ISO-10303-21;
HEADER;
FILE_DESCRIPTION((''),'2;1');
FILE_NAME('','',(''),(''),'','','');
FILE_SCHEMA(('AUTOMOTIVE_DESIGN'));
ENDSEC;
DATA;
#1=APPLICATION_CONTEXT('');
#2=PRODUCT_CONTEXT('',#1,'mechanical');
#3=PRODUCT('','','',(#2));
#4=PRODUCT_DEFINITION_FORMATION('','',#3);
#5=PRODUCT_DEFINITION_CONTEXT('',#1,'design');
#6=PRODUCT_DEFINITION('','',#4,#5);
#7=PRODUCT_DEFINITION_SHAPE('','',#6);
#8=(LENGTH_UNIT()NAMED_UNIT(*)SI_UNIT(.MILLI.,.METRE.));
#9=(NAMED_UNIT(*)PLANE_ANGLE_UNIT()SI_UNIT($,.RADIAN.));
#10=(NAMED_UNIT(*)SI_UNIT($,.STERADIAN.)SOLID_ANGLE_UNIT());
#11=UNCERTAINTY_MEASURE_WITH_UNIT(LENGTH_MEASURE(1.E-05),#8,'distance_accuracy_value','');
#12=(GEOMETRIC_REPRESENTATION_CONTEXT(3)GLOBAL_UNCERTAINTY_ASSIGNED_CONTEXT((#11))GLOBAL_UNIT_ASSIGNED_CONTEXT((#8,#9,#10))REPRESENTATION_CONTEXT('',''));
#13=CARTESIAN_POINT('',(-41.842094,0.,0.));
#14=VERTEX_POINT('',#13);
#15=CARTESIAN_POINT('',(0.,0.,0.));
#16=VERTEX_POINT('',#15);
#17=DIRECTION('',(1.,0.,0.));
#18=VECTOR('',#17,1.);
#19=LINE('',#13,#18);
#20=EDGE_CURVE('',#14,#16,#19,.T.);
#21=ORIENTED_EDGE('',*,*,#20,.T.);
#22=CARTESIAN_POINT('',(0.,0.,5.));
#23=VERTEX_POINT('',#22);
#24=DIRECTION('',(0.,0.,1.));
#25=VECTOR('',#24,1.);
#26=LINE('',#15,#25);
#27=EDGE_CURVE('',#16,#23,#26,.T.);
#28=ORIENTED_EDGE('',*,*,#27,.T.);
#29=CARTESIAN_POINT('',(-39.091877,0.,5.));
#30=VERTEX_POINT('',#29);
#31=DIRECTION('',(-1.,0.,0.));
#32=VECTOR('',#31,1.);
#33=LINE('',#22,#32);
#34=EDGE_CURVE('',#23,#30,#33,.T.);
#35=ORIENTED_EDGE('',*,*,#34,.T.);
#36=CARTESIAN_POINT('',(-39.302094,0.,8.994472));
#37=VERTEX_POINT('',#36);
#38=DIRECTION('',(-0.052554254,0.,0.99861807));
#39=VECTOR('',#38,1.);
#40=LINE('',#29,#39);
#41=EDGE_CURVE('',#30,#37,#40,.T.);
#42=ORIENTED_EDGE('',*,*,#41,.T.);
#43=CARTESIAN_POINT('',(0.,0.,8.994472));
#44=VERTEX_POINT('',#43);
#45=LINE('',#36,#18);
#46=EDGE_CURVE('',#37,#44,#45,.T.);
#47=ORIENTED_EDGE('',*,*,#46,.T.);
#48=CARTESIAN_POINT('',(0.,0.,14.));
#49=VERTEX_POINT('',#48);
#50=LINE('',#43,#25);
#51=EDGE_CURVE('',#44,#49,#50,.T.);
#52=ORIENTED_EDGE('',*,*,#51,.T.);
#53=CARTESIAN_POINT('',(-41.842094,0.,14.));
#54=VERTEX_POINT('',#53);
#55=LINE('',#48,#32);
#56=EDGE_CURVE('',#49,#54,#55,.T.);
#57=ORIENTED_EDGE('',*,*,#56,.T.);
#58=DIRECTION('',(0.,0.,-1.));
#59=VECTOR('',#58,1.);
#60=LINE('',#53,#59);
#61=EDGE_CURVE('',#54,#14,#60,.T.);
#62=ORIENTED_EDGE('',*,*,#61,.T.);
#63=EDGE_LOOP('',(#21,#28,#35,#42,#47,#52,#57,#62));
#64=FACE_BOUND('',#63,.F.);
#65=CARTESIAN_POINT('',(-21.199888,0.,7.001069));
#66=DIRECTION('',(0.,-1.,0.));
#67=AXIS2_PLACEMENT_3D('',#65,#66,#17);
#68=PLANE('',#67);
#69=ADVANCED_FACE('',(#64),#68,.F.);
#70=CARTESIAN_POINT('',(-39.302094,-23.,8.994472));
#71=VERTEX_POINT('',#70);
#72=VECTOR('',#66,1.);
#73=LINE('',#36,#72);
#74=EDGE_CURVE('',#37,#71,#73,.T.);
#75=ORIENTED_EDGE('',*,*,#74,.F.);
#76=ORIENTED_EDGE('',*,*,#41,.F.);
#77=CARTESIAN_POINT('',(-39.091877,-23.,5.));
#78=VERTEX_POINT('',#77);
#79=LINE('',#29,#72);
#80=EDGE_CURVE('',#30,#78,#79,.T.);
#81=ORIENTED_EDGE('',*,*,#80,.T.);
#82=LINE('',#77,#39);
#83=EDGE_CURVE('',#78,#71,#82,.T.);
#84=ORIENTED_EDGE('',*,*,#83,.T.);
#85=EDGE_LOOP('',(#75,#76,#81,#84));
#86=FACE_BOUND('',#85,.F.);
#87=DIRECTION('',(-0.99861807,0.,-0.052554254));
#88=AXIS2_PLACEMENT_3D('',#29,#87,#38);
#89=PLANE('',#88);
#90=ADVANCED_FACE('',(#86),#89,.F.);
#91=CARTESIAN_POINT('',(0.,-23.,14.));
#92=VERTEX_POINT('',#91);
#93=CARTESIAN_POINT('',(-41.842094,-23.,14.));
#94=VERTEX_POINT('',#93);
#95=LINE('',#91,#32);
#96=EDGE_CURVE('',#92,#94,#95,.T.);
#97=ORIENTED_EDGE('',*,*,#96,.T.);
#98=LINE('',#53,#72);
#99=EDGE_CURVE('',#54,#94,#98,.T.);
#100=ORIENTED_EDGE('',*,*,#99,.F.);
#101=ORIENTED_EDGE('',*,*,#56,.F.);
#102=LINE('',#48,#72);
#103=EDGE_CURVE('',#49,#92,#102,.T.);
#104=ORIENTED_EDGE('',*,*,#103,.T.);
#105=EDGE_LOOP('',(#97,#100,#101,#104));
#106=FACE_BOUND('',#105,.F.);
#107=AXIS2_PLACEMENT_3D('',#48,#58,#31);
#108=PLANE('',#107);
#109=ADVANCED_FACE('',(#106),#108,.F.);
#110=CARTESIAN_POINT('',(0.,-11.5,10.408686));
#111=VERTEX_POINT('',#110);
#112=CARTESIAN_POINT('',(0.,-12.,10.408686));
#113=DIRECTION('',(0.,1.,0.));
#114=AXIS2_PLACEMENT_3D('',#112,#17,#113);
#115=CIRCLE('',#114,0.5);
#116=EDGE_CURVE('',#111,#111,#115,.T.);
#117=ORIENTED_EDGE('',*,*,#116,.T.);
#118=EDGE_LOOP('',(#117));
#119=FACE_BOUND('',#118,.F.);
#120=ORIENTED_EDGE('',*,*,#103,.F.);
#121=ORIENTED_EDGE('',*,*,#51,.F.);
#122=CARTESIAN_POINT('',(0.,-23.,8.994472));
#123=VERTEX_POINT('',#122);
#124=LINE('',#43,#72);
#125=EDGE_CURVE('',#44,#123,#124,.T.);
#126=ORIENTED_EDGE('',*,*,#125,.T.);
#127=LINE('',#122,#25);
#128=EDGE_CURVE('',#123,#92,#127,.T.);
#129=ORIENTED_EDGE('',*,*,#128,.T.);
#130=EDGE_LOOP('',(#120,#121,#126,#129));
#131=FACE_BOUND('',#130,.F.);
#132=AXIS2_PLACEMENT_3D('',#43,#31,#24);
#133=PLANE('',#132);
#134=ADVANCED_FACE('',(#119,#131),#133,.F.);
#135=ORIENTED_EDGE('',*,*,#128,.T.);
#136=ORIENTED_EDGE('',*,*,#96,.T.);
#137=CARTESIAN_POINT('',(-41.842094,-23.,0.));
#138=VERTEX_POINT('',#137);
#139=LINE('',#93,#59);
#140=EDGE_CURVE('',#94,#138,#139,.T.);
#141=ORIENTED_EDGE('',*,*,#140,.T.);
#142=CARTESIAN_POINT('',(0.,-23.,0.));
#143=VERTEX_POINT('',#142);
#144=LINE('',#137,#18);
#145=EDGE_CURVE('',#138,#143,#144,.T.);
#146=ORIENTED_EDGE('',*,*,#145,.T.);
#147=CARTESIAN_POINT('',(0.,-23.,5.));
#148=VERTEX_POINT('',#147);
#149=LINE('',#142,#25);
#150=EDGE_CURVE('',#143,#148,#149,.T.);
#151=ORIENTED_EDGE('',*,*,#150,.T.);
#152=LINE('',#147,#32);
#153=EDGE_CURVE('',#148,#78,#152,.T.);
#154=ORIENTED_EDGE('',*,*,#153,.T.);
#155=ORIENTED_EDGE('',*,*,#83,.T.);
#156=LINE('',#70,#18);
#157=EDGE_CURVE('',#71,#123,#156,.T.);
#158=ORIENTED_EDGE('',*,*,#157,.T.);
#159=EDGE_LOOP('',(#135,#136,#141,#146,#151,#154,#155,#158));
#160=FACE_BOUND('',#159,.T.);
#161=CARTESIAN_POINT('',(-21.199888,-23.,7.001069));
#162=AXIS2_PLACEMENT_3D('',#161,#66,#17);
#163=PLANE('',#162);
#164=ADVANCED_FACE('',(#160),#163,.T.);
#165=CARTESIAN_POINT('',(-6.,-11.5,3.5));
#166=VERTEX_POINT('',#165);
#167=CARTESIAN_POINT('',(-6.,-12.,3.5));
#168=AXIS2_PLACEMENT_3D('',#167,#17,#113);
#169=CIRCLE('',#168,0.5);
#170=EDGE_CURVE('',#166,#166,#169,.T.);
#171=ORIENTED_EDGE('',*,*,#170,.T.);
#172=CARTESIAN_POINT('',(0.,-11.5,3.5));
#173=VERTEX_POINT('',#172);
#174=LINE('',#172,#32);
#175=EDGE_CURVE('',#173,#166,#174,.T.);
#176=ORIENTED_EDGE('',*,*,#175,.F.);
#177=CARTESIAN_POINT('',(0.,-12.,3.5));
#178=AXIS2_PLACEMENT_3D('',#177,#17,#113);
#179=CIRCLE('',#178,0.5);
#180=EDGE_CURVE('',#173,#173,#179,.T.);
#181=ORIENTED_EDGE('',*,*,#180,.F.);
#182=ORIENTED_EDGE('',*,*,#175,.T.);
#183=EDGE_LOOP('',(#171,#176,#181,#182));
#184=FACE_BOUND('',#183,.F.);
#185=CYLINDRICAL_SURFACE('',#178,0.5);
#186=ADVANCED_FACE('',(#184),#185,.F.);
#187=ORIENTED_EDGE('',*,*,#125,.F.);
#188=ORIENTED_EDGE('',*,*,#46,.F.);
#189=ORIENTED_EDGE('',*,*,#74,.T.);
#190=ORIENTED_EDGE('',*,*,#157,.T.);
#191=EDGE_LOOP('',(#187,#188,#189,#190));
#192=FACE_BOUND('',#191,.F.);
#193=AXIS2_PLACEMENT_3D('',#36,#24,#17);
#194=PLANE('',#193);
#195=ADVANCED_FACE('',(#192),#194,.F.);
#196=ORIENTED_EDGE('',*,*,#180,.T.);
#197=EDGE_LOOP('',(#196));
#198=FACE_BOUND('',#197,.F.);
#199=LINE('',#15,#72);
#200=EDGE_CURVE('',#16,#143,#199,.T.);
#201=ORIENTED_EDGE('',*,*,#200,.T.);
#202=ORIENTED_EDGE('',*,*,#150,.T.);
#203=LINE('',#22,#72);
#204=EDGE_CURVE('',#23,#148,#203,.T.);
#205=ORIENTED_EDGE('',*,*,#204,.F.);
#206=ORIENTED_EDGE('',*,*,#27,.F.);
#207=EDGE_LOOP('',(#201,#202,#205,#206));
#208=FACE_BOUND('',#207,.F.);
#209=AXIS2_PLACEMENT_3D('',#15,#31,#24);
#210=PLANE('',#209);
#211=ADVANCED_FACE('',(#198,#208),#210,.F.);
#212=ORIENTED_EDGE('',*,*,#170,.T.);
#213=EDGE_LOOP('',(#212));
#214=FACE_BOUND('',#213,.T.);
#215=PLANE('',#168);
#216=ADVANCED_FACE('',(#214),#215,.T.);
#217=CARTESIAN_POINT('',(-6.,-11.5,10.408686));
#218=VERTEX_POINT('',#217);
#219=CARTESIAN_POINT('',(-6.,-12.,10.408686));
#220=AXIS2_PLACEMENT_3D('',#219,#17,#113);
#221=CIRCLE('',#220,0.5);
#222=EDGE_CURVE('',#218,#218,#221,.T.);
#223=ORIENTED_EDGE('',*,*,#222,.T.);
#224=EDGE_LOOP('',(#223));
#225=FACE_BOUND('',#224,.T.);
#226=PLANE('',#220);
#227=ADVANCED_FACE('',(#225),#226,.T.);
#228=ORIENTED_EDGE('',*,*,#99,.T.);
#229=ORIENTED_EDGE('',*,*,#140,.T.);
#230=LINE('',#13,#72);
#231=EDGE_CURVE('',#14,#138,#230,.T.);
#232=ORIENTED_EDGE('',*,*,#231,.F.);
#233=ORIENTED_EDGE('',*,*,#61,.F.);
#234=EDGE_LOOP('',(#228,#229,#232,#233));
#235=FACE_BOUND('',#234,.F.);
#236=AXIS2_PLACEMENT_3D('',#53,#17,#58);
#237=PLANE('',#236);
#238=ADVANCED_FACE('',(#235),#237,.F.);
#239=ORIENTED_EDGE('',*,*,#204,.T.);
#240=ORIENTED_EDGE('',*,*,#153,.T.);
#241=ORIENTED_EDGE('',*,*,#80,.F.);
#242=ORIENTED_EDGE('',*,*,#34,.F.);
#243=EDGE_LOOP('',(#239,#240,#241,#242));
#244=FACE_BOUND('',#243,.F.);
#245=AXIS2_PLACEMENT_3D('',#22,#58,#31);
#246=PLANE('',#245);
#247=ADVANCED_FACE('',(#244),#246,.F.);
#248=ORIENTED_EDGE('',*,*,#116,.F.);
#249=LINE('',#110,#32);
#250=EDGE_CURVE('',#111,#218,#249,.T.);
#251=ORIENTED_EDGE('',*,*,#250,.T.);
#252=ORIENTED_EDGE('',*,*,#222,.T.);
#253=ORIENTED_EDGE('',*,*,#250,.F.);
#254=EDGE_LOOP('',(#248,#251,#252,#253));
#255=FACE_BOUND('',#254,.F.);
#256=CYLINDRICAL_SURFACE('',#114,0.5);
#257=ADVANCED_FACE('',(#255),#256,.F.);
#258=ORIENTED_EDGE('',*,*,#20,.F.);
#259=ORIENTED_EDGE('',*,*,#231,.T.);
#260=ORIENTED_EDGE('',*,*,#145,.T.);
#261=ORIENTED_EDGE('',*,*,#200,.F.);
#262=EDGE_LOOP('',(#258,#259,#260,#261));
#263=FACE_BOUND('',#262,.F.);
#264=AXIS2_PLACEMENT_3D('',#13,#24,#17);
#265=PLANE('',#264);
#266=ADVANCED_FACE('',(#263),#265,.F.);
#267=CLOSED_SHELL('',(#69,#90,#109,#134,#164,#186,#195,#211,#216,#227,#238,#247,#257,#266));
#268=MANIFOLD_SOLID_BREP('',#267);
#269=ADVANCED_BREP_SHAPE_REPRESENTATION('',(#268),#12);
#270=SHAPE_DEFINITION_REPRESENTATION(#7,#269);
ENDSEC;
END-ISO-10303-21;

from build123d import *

# Parameters (mm, degrees)
F1_DEPTH = 23
F2_R     = 0.5
F3_DEPTH = 6


with BuildPart() as f1:
    # F0 (on Front) → F1 (new body)
    with BuildSketch(Plane.XZ):
        Polygon((0, 14), (-41.842094, 14), (-41.842094, 0), (0, 0), (0, 5), (-39.091877, 5), (-39.302094, 8.994472), (0, 8.994472), align=None)
    extrude(amount=F1_DEPTH)

    # F2 (on Right) → F3 (cut)
    with BuildSketch(Plane.YZ):
        with Locations((-12, 10.408686)):
            Circle(F2_R)
        with Locations((-12, 3.5)):
            Circle(F2_R)
    extrude(amount=-F3_DEPTH, mode=Mode.SUBTRACT)


solid = f1.part
